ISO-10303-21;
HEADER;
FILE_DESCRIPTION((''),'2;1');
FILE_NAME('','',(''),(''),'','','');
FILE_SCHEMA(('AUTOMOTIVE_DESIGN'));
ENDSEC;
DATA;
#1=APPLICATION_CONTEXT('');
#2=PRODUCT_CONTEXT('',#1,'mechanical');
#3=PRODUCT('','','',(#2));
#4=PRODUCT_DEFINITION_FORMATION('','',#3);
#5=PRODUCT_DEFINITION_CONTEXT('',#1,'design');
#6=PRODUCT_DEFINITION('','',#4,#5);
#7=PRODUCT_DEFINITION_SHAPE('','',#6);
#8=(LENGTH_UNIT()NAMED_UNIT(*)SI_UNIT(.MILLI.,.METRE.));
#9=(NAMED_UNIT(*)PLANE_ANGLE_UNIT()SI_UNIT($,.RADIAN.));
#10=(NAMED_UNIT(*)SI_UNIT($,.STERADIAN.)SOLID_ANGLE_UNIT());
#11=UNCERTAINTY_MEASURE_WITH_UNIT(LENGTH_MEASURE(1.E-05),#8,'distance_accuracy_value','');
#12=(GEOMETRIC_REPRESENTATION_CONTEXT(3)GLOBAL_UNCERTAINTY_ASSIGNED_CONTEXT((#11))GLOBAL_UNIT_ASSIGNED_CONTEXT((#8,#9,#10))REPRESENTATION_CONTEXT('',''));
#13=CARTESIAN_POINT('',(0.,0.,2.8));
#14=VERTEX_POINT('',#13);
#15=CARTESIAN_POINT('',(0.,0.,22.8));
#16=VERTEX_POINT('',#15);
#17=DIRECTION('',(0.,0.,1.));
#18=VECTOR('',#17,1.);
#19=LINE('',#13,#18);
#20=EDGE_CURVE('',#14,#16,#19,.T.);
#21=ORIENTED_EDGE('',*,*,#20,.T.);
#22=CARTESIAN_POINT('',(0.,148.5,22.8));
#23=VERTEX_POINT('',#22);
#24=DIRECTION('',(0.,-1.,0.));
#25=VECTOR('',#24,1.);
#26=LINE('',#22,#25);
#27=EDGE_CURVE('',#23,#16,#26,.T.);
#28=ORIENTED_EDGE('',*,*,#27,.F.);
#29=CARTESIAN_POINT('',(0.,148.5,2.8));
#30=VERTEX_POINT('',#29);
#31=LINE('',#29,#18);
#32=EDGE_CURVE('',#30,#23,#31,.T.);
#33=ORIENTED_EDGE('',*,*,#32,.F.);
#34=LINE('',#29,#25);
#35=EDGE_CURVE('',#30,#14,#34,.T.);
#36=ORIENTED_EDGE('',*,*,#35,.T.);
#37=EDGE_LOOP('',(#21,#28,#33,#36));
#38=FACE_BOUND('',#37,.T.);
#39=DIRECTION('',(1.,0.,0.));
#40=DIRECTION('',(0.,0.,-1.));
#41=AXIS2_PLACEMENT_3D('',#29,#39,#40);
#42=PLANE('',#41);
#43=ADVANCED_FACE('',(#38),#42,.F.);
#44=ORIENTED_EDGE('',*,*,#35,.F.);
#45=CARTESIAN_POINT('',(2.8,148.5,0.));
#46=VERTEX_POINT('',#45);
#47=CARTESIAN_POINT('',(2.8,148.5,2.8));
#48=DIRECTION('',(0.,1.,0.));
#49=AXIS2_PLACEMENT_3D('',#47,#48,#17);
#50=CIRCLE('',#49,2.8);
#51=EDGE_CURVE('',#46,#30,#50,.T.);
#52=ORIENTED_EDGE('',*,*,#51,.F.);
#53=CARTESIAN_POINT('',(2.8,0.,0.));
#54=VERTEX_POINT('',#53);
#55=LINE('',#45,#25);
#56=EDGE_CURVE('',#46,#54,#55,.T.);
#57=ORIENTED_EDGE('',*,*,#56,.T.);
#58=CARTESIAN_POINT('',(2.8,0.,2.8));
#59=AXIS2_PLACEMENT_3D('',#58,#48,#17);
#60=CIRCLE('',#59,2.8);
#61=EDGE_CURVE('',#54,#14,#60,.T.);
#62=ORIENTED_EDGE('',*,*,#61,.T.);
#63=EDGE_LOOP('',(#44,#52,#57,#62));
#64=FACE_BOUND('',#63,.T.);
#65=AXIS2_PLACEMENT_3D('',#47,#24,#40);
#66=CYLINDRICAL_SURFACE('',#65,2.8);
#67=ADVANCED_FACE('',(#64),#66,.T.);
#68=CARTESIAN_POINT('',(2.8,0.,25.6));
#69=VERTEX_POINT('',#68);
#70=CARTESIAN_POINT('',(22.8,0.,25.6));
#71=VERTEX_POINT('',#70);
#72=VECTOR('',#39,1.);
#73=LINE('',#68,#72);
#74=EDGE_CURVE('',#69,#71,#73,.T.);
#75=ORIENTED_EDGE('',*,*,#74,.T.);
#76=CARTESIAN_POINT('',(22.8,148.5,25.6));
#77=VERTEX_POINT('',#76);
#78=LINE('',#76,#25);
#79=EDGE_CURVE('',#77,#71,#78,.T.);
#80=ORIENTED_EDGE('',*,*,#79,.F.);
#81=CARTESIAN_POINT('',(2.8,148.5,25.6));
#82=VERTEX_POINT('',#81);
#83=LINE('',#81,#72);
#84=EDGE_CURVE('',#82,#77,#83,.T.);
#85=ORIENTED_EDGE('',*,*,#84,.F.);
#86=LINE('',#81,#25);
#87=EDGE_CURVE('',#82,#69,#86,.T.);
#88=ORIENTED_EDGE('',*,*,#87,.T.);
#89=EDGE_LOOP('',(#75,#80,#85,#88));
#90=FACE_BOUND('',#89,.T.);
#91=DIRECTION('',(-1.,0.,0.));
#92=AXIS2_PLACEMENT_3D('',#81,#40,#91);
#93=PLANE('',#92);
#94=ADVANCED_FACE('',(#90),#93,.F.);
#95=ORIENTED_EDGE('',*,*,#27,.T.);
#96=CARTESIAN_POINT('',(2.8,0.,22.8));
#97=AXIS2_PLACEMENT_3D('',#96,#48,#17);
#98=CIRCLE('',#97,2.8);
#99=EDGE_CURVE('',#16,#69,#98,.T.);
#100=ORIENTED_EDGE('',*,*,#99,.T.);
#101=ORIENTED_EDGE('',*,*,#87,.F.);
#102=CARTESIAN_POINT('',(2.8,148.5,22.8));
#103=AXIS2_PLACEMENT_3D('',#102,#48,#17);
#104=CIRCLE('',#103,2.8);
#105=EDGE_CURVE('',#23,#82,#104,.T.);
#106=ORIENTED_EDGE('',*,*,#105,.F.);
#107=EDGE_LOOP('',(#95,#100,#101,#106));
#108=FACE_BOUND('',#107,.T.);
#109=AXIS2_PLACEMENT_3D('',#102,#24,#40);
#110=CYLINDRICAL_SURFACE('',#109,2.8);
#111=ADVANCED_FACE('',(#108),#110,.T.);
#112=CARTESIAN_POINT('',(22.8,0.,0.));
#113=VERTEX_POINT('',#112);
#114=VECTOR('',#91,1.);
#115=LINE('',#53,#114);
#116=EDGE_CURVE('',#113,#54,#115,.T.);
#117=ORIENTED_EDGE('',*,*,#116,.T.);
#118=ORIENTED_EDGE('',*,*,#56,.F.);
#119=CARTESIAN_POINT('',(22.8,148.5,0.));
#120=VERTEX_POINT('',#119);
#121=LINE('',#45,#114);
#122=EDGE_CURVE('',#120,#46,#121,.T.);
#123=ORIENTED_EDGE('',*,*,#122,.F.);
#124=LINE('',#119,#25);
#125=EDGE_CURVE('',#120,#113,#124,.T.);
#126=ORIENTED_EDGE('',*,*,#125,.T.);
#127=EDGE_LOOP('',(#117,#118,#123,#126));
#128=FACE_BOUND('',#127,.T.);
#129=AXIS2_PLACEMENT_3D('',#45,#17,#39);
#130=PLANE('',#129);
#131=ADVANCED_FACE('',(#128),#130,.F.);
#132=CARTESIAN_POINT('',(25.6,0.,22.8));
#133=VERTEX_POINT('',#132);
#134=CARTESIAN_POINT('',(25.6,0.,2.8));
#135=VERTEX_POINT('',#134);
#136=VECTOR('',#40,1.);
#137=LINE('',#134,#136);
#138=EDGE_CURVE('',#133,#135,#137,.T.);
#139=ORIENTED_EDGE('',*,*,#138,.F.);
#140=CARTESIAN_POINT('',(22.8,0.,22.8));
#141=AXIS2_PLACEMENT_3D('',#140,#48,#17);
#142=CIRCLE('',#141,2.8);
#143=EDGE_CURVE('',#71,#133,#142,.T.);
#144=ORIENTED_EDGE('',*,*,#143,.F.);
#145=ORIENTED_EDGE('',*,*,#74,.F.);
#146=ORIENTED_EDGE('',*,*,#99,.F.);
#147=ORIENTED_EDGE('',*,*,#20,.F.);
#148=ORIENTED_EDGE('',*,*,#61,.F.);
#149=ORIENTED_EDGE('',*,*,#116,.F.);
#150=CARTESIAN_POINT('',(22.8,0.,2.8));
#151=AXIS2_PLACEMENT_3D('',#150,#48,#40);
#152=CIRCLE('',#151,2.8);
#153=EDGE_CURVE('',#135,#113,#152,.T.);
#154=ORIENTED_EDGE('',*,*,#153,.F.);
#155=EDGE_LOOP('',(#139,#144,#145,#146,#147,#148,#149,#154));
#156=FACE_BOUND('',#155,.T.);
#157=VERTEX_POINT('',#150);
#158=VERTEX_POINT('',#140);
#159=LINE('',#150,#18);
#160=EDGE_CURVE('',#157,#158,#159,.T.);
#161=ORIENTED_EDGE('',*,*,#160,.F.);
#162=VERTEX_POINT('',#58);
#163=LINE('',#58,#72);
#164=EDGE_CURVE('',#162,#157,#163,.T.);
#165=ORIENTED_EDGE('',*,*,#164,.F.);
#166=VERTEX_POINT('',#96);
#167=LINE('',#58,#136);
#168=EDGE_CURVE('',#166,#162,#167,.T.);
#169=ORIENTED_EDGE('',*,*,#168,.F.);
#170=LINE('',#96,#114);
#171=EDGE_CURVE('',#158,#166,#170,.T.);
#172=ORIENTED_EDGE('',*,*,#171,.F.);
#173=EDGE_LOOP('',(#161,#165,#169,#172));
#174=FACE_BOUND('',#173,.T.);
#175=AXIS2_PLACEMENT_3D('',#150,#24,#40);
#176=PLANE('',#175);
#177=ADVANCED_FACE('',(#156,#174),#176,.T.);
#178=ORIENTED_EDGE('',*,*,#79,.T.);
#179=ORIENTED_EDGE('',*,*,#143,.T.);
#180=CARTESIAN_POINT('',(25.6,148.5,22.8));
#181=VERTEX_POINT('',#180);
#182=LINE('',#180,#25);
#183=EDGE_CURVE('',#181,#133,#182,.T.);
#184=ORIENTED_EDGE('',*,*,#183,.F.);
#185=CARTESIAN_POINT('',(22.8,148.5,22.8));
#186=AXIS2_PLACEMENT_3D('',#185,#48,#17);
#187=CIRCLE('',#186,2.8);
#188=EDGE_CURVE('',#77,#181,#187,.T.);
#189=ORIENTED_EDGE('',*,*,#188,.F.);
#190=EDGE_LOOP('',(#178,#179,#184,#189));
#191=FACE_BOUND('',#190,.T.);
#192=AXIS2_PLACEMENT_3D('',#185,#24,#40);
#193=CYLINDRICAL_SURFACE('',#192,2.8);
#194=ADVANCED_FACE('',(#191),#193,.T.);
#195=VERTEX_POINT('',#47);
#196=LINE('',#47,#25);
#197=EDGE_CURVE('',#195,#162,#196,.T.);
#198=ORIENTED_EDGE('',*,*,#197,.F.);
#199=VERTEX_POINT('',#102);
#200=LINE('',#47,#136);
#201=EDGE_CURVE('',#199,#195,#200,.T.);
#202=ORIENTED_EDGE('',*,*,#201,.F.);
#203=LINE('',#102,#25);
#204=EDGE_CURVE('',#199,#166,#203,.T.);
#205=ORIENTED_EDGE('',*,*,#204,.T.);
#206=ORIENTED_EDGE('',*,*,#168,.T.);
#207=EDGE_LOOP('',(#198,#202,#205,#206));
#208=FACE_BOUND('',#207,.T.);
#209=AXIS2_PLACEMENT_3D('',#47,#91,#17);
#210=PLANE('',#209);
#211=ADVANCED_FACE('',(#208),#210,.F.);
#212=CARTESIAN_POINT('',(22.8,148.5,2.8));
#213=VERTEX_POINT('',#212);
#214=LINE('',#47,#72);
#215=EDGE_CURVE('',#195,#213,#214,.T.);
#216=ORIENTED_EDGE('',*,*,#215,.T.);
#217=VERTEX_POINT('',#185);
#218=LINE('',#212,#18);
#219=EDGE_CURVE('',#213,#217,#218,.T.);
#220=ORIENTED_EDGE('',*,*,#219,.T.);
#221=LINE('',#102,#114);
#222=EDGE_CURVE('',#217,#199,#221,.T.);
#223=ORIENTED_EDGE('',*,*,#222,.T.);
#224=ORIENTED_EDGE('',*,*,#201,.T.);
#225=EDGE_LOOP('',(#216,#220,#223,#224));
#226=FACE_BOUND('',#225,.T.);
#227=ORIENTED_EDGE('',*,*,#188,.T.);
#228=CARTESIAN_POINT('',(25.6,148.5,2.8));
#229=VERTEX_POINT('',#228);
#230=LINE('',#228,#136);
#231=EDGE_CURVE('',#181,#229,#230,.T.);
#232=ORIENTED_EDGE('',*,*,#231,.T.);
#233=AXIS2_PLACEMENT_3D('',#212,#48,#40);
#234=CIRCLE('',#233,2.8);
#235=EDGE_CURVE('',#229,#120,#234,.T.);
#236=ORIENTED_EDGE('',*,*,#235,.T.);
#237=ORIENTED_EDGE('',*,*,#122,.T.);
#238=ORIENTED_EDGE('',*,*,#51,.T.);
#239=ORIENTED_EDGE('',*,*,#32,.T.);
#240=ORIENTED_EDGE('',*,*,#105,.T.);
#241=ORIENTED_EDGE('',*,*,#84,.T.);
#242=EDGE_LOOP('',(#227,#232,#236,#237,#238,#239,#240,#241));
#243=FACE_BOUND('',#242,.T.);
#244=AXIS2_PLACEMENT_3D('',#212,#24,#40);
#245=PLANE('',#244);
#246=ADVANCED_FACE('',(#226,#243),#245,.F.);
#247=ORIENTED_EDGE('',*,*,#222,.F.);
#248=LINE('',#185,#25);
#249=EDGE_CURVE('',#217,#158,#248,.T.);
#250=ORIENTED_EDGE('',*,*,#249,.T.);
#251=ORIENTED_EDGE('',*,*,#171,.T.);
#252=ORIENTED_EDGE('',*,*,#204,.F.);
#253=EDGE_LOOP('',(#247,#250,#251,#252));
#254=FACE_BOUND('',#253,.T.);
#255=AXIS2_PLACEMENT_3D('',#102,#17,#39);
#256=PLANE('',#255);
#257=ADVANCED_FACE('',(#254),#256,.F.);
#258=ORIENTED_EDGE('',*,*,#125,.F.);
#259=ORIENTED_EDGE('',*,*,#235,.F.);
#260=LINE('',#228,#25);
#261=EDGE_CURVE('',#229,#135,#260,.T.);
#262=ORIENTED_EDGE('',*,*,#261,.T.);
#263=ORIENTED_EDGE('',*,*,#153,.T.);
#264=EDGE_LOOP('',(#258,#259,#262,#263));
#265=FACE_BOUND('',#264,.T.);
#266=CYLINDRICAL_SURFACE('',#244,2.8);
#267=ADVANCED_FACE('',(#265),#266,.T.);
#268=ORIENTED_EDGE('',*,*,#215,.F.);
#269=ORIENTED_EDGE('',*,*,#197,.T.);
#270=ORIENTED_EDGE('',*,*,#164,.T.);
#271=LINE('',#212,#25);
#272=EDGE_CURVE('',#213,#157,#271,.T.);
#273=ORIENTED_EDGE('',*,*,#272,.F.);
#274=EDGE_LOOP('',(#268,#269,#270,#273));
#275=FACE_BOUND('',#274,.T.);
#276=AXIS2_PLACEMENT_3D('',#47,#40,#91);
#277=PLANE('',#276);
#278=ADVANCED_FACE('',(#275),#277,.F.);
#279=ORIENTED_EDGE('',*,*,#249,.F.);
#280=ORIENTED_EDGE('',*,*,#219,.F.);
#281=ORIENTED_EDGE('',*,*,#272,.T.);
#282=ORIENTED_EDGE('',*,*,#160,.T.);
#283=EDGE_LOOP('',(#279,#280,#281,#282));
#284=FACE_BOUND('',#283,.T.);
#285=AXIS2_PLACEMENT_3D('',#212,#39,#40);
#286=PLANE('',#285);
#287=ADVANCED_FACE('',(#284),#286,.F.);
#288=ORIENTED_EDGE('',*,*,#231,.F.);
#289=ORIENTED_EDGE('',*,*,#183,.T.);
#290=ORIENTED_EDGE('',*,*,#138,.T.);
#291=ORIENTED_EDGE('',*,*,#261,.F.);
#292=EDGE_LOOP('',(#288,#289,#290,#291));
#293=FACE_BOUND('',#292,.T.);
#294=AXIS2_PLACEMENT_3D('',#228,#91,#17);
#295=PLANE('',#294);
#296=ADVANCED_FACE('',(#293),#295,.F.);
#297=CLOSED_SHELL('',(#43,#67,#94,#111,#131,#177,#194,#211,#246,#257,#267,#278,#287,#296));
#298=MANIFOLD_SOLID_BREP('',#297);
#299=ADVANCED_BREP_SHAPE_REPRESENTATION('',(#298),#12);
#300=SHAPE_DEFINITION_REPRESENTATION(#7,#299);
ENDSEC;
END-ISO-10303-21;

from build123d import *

# Parameters (mm, degrees)
BOSS_EXTRUDE1_DEPTH = 148.5
SKETCH3_W           = 20
SKETCH3_H           = 20
CUT_EXTRUDE1_DEPTH  = 148.5


with BuildPart() as part:
    # Sketch1 → Boss-Extrude1 (new body)
    with BuildSketch(Plane(origin=(0, 0, 0), x_dir=(1, 0, 0), z_dir=(0, 1, 0))):
        with BuildLine():
            Line((2.8, 0), (22.8, 0))
            ThreePointArc((22.8, 0), (24.779898987, -0.820101013), (25.6, -2.8))
            Line((25.6, -2.8), (25.6, -22.8))
            ThreePointArc((25.6, -22.8), (24.779898987, -24.779898987), (22.8, -25.6))
            Line((22.8, -25.6), (2.8, -25.6))
            ThreePointArc((2.8, -25.6), (0.820101013, -24.779898987), (0, -22.8))
            Line((0, -22.8), (0, -2.8))
            ThreePointArc((0, -2.8), (0.820101013, -0.820101013), (2.8, 0))
        make_face()
    extrude(amount=BOSS_EXTRUDE1_DEPTH)

    # Sketch3 → Cut-Extrude1 (cut)
    with BuildSketch(Plane(origin=(0, 0, 0), x_dir=(-1, 0, 0), z_dir=(0, -1, 0))):
        with Locations((-12.8, -12.8)):
            Rectangle(SKETCH3_W, SKETCH3_H)
    extrude(amount=-CUT_EXTRUDE1_DEPTH, mode=Mode.SUBTRACT)


solid = part.part
